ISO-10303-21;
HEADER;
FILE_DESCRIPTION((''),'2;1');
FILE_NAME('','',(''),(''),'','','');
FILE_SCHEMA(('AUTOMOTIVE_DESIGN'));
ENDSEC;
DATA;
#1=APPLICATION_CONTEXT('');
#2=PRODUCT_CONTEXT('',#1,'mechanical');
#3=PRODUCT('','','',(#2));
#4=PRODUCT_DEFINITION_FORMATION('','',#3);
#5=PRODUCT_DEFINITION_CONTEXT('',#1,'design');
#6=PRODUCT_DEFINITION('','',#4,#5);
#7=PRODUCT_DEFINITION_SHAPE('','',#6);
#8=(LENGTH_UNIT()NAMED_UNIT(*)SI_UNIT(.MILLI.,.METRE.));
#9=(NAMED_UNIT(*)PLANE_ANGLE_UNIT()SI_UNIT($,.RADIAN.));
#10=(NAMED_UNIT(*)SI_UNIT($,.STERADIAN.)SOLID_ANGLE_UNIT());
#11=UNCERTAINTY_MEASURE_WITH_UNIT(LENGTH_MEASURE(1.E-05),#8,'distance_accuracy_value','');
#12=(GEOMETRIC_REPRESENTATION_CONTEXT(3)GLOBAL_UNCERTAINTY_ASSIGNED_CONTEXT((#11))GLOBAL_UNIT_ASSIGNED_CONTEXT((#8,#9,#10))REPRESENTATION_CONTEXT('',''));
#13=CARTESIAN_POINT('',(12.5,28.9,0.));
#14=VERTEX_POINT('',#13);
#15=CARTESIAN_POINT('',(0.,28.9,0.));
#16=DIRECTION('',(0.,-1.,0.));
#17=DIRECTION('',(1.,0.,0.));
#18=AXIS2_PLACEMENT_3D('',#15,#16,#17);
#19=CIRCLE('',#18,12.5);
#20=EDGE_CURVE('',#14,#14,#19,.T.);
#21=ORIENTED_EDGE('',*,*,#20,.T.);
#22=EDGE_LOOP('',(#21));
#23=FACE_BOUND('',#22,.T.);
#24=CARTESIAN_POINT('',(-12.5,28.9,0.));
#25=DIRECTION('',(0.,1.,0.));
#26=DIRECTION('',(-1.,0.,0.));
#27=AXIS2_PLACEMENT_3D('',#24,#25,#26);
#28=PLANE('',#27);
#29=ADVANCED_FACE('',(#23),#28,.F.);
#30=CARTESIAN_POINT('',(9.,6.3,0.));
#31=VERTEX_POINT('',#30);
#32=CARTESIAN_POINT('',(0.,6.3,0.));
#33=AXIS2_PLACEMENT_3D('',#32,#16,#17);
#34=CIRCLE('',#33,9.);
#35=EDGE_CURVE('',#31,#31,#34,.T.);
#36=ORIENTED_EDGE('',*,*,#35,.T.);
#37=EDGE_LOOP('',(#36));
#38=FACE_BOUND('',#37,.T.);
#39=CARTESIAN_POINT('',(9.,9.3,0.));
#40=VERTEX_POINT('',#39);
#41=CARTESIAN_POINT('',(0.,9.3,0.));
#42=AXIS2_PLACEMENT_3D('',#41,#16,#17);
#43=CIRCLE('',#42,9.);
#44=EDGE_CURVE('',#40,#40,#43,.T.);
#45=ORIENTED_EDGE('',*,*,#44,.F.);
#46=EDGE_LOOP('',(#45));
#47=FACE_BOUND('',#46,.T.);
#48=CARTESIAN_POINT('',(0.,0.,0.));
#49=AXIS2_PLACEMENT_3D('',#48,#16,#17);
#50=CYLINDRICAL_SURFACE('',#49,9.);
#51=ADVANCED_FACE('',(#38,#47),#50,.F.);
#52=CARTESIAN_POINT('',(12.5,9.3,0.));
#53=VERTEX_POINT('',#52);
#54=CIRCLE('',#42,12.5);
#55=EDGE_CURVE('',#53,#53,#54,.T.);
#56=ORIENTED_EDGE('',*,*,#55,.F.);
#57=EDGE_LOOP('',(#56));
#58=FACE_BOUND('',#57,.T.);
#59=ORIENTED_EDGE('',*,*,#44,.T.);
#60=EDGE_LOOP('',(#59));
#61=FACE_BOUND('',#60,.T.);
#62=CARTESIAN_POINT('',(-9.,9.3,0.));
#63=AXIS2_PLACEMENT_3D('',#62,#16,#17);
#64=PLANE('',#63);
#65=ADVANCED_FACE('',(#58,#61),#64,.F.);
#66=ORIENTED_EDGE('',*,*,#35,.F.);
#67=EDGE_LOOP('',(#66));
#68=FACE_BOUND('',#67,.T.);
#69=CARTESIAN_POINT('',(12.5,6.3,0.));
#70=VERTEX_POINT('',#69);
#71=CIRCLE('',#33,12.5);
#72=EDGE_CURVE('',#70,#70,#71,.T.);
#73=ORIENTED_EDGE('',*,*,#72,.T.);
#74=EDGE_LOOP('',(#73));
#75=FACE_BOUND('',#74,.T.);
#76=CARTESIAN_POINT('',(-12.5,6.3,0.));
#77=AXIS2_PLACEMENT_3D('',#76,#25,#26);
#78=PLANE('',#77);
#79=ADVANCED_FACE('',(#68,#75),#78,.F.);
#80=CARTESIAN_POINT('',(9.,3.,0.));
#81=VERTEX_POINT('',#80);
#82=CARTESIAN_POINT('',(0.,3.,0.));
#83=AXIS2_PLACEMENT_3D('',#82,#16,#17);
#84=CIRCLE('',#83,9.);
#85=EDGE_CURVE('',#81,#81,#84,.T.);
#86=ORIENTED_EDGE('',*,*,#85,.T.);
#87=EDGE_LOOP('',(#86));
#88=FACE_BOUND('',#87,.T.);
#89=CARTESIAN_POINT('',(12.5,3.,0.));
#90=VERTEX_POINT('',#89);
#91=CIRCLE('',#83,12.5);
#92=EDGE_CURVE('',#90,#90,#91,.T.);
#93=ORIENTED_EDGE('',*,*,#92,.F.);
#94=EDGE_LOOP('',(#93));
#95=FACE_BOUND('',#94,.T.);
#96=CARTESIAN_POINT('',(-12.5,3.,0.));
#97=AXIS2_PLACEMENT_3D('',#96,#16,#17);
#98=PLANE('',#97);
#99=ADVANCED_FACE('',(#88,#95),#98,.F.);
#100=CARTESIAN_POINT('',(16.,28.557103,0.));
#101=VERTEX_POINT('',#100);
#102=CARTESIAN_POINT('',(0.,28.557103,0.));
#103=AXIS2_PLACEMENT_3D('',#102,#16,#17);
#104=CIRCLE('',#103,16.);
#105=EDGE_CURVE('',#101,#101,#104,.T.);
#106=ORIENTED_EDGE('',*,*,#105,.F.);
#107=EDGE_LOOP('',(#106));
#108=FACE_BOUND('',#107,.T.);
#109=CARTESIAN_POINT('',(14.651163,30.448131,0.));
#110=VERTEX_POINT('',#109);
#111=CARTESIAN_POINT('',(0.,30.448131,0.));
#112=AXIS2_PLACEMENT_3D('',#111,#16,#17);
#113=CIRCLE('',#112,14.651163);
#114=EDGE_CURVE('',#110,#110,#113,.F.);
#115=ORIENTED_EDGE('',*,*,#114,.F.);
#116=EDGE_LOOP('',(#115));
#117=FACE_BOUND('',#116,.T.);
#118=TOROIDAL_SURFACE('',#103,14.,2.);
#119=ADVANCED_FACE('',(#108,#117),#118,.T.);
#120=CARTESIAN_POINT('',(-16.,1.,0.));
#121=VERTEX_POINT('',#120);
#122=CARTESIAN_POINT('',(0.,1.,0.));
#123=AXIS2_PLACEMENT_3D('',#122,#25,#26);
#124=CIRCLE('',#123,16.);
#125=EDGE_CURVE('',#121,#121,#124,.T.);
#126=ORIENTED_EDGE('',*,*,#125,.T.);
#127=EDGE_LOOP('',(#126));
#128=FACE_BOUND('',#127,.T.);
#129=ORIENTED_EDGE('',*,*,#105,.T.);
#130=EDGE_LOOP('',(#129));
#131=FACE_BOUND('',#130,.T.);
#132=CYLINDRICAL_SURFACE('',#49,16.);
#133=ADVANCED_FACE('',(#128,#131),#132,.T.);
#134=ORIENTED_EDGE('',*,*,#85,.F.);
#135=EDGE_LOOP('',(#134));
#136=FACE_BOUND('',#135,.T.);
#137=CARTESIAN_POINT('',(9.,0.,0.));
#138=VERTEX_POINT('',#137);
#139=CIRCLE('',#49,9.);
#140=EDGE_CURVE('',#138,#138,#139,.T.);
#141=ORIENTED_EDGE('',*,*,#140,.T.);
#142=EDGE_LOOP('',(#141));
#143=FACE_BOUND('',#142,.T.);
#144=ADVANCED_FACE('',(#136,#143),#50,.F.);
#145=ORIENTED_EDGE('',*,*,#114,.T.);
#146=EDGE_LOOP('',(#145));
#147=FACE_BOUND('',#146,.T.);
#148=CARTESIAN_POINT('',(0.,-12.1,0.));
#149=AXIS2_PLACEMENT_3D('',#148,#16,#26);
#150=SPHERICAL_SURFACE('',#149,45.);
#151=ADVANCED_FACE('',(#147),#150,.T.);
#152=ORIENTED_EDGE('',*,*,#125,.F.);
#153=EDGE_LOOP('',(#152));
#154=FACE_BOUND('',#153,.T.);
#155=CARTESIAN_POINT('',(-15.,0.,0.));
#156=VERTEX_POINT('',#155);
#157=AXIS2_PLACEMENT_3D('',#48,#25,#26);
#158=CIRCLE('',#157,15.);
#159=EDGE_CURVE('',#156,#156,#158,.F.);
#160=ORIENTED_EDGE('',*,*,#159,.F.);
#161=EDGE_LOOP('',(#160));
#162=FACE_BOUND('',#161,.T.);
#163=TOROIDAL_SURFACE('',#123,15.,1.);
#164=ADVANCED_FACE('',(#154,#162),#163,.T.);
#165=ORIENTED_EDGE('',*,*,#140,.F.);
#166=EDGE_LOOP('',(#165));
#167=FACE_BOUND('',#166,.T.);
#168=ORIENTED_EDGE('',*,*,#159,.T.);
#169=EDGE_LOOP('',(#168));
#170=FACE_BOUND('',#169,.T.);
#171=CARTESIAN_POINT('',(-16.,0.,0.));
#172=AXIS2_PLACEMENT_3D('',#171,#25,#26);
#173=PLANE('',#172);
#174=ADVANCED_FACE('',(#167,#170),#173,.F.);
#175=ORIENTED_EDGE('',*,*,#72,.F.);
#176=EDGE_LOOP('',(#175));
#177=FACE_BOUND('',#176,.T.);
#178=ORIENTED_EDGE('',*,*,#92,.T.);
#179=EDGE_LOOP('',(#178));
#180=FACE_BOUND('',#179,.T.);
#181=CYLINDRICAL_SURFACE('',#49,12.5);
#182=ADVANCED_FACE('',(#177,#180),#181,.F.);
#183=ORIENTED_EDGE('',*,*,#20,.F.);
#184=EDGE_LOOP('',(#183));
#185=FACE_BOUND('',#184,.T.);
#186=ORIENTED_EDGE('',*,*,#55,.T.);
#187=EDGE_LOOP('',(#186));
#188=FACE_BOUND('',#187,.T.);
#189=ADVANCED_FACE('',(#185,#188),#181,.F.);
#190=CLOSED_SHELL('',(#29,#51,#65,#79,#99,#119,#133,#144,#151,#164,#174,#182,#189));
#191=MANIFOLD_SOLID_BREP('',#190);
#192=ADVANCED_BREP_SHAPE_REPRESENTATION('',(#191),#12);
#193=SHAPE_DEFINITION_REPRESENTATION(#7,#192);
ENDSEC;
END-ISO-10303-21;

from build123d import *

# Parameters (mm, degrees)
CONG_1_R = 2
CONG_2_R = 1


with BuildPart() as part:
    # Esquisse1 → Révolution1 (revolve)
    with BuildSketch(Plane.XY, mode=Mode.PRIVATE) as r_volution1_sk:
        with BuildLine():
            Line((0, 31.9), (0, 28.9))
            Line((0, 28.9), (-12.5, 28.9))
            Line((-12.5, 28.9), (-12.5, 12.6))
            Line((-12.5, 12.6), (-12.5, 9.3))
            Line((-12.5, 9.3), (-9, 9.3))
            Line((-9, 9.3), (-9, 6.3))
            Line((-9, 6.3), (-12.5, 6.3))
            Line((-12.5, 6.3), (-12.5, 3))
            Line((-12.5, 3), (-9, 3))
            Line((-9, 3), (-9, 0))
            Line((-9, 0), (-12.5, 0))
            Line((-12.5, 0), (-16, 0))
            Line((-16, 0), (-16, 29.95948169))
            ThreePointArc((-16, 29.95948169), (-8.133981927, 32.158765663), (0, 32.9))
            Line((0, 32.9), (0, 31.9))
        make_face()
    revolve(r_volution1_sk.sketch.rotate(Axis((0, 0, 0), (0, 1, 0)), 180), axis=Axis((0, 0, 0), (0, 1, 0)))

    # Congé1
    cong_1_edges = [part.edges().sort_by_distance(p)[0] for p in [
        (-16, 29.95948169, 0),
    ]]
    fillet(cong_1_edges, radius=CONG_1_R)

    # Congé2
    cong_2_edges = [part.edges().sort_by_distance(p)[0] for p in [
        (-16, 0, 0),
    ]]
    fillet(cong_2_edges, radius=CONG_2_R)


solid = part.part
